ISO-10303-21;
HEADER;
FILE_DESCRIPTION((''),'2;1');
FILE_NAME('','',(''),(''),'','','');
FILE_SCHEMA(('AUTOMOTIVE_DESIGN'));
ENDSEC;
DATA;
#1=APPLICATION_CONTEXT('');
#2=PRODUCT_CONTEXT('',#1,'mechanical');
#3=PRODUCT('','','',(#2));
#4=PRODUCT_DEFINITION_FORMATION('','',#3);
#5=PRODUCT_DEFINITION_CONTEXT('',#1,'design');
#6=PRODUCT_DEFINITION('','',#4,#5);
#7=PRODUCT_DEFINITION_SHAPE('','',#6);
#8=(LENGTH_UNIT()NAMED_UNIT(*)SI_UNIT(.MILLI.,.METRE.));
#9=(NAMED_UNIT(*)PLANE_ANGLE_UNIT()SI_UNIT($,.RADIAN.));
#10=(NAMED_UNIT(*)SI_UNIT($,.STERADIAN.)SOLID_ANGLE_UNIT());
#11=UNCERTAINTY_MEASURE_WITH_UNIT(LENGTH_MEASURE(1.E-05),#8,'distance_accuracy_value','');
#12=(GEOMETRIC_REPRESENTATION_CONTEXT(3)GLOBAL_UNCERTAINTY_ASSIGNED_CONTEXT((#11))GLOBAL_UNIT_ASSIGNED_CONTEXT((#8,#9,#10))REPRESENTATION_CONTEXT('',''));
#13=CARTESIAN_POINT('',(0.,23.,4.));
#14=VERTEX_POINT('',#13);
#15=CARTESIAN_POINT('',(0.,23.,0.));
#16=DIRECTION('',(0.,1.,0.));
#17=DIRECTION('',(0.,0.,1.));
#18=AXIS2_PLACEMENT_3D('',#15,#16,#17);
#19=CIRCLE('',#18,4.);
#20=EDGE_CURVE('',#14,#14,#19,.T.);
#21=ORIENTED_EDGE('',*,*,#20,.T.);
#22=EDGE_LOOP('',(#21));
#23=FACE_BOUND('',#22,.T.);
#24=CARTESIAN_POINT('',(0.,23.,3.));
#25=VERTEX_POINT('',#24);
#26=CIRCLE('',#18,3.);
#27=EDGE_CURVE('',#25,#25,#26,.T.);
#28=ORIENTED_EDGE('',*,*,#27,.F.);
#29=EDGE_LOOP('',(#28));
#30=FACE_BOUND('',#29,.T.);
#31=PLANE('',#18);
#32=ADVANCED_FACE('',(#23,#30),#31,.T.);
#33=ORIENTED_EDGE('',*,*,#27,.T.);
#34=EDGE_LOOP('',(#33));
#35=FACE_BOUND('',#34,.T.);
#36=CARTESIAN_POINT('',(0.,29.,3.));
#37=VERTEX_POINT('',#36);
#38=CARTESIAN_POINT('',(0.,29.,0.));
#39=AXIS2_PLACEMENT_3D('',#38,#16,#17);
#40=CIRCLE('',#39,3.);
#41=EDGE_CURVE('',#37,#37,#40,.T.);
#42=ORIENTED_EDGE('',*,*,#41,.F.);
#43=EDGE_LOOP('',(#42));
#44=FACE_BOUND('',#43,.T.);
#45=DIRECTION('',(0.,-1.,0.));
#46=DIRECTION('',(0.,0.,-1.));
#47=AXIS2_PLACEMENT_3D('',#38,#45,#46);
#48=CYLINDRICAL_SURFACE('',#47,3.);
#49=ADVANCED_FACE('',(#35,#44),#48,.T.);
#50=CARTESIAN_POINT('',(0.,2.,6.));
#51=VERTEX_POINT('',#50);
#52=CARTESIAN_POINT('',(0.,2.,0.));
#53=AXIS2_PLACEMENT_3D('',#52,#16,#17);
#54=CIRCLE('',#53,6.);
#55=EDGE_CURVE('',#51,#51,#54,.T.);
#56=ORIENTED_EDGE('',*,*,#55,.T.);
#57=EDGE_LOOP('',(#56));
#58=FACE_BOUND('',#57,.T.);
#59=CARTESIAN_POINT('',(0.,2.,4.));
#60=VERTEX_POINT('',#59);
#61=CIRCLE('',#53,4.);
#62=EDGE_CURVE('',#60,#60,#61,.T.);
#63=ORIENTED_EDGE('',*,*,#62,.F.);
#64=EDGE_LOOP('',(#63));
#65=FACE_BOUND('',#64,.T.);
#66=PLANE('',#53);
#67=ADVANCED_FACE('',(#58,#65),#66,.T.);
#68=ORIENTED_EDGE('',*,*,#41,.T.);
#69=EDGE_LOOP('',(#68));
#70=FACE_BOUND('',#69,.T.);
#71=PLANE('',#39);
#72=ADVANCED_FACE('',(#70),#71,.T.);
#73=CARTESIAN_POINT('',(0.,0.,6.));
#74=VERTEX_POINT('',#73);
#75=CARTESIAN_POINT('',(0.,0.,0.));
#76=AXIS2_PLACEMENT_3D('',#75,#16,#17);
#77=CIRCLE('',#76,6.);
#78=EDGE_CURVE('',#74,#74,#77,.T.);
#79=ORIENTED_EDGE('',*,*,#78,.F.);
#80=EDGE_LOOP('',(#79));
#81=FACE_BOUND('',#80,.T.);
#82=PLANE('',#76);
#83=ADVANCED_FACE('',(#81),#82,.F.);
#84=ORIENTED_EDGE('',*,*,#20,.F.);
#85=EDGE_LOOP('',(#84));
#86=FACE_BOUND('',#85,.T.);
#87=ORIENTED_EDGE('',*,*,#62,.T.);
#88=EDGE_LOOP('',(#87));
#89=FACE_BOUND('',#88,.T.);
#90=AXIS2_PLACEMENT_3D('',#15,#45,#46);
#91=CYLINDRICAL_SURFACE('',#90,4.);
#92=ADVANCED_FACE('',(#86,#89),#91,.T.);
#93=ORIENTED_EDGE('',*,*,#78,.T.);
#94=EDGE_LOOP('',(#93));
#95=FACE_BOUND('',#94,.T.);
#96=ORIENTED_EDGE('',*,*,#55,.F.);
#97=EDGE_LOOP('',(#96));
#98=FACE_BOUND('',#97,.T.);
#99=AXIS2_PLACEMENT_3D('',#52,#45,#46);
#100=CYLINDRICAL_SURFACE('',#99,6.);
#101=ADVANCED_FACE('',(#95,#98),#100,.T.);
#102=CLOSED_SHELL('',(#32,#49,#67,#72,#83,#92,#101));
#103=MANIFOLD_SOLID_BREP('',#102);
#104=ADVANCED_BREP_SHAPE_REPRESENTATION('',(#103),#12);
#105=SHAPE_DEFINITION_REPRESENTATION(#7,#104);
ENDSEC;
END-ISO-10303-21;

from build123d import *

# Parameters (mm, degrees)
SKETCH_1_R      = 6
EXTRUDE_1_DEPTH = 2
SKETCH_2_R      = 4
EXTRUDE_2_DEPTH = 21
SKETCH_3_R      = 3
EXTRUDE_3_DEPTH = 6


with BuildPart() as part:
    # 草图1 → 凸台-拉伸1 (new body)
    with BuildSketch(Plane(origin=(0, 0, 0), x_dir=(1, 0, 0), z_dir=(0, 1, 0))):
        Circle(SKETCH_1_R)
    extrude(amount=EXTRUDE_1_DEPTH)

    # 草图2 → 凸台-拉伸2 (add)
    with BuildSketch(Plane(origin=(0, 2, 0), x_dir=(1, 0, 0), z_dir=(0, 1, 0))):
        Circle(SKETCH_2_R)
    extrude(amount=EXTRUDE_2_DEPTH)

    # 草图3 → 凸台-拉伸3 (add)
    with BuildSketch(Plane(origin=(0, 23, 0), x_dir=(1, 0, 0), z_dir=(0, 1, 0))):
        Circle(SKETCH_3_R)
    extrude(amount=EXTRUDE_3_DEPTH)


solid = part.part
